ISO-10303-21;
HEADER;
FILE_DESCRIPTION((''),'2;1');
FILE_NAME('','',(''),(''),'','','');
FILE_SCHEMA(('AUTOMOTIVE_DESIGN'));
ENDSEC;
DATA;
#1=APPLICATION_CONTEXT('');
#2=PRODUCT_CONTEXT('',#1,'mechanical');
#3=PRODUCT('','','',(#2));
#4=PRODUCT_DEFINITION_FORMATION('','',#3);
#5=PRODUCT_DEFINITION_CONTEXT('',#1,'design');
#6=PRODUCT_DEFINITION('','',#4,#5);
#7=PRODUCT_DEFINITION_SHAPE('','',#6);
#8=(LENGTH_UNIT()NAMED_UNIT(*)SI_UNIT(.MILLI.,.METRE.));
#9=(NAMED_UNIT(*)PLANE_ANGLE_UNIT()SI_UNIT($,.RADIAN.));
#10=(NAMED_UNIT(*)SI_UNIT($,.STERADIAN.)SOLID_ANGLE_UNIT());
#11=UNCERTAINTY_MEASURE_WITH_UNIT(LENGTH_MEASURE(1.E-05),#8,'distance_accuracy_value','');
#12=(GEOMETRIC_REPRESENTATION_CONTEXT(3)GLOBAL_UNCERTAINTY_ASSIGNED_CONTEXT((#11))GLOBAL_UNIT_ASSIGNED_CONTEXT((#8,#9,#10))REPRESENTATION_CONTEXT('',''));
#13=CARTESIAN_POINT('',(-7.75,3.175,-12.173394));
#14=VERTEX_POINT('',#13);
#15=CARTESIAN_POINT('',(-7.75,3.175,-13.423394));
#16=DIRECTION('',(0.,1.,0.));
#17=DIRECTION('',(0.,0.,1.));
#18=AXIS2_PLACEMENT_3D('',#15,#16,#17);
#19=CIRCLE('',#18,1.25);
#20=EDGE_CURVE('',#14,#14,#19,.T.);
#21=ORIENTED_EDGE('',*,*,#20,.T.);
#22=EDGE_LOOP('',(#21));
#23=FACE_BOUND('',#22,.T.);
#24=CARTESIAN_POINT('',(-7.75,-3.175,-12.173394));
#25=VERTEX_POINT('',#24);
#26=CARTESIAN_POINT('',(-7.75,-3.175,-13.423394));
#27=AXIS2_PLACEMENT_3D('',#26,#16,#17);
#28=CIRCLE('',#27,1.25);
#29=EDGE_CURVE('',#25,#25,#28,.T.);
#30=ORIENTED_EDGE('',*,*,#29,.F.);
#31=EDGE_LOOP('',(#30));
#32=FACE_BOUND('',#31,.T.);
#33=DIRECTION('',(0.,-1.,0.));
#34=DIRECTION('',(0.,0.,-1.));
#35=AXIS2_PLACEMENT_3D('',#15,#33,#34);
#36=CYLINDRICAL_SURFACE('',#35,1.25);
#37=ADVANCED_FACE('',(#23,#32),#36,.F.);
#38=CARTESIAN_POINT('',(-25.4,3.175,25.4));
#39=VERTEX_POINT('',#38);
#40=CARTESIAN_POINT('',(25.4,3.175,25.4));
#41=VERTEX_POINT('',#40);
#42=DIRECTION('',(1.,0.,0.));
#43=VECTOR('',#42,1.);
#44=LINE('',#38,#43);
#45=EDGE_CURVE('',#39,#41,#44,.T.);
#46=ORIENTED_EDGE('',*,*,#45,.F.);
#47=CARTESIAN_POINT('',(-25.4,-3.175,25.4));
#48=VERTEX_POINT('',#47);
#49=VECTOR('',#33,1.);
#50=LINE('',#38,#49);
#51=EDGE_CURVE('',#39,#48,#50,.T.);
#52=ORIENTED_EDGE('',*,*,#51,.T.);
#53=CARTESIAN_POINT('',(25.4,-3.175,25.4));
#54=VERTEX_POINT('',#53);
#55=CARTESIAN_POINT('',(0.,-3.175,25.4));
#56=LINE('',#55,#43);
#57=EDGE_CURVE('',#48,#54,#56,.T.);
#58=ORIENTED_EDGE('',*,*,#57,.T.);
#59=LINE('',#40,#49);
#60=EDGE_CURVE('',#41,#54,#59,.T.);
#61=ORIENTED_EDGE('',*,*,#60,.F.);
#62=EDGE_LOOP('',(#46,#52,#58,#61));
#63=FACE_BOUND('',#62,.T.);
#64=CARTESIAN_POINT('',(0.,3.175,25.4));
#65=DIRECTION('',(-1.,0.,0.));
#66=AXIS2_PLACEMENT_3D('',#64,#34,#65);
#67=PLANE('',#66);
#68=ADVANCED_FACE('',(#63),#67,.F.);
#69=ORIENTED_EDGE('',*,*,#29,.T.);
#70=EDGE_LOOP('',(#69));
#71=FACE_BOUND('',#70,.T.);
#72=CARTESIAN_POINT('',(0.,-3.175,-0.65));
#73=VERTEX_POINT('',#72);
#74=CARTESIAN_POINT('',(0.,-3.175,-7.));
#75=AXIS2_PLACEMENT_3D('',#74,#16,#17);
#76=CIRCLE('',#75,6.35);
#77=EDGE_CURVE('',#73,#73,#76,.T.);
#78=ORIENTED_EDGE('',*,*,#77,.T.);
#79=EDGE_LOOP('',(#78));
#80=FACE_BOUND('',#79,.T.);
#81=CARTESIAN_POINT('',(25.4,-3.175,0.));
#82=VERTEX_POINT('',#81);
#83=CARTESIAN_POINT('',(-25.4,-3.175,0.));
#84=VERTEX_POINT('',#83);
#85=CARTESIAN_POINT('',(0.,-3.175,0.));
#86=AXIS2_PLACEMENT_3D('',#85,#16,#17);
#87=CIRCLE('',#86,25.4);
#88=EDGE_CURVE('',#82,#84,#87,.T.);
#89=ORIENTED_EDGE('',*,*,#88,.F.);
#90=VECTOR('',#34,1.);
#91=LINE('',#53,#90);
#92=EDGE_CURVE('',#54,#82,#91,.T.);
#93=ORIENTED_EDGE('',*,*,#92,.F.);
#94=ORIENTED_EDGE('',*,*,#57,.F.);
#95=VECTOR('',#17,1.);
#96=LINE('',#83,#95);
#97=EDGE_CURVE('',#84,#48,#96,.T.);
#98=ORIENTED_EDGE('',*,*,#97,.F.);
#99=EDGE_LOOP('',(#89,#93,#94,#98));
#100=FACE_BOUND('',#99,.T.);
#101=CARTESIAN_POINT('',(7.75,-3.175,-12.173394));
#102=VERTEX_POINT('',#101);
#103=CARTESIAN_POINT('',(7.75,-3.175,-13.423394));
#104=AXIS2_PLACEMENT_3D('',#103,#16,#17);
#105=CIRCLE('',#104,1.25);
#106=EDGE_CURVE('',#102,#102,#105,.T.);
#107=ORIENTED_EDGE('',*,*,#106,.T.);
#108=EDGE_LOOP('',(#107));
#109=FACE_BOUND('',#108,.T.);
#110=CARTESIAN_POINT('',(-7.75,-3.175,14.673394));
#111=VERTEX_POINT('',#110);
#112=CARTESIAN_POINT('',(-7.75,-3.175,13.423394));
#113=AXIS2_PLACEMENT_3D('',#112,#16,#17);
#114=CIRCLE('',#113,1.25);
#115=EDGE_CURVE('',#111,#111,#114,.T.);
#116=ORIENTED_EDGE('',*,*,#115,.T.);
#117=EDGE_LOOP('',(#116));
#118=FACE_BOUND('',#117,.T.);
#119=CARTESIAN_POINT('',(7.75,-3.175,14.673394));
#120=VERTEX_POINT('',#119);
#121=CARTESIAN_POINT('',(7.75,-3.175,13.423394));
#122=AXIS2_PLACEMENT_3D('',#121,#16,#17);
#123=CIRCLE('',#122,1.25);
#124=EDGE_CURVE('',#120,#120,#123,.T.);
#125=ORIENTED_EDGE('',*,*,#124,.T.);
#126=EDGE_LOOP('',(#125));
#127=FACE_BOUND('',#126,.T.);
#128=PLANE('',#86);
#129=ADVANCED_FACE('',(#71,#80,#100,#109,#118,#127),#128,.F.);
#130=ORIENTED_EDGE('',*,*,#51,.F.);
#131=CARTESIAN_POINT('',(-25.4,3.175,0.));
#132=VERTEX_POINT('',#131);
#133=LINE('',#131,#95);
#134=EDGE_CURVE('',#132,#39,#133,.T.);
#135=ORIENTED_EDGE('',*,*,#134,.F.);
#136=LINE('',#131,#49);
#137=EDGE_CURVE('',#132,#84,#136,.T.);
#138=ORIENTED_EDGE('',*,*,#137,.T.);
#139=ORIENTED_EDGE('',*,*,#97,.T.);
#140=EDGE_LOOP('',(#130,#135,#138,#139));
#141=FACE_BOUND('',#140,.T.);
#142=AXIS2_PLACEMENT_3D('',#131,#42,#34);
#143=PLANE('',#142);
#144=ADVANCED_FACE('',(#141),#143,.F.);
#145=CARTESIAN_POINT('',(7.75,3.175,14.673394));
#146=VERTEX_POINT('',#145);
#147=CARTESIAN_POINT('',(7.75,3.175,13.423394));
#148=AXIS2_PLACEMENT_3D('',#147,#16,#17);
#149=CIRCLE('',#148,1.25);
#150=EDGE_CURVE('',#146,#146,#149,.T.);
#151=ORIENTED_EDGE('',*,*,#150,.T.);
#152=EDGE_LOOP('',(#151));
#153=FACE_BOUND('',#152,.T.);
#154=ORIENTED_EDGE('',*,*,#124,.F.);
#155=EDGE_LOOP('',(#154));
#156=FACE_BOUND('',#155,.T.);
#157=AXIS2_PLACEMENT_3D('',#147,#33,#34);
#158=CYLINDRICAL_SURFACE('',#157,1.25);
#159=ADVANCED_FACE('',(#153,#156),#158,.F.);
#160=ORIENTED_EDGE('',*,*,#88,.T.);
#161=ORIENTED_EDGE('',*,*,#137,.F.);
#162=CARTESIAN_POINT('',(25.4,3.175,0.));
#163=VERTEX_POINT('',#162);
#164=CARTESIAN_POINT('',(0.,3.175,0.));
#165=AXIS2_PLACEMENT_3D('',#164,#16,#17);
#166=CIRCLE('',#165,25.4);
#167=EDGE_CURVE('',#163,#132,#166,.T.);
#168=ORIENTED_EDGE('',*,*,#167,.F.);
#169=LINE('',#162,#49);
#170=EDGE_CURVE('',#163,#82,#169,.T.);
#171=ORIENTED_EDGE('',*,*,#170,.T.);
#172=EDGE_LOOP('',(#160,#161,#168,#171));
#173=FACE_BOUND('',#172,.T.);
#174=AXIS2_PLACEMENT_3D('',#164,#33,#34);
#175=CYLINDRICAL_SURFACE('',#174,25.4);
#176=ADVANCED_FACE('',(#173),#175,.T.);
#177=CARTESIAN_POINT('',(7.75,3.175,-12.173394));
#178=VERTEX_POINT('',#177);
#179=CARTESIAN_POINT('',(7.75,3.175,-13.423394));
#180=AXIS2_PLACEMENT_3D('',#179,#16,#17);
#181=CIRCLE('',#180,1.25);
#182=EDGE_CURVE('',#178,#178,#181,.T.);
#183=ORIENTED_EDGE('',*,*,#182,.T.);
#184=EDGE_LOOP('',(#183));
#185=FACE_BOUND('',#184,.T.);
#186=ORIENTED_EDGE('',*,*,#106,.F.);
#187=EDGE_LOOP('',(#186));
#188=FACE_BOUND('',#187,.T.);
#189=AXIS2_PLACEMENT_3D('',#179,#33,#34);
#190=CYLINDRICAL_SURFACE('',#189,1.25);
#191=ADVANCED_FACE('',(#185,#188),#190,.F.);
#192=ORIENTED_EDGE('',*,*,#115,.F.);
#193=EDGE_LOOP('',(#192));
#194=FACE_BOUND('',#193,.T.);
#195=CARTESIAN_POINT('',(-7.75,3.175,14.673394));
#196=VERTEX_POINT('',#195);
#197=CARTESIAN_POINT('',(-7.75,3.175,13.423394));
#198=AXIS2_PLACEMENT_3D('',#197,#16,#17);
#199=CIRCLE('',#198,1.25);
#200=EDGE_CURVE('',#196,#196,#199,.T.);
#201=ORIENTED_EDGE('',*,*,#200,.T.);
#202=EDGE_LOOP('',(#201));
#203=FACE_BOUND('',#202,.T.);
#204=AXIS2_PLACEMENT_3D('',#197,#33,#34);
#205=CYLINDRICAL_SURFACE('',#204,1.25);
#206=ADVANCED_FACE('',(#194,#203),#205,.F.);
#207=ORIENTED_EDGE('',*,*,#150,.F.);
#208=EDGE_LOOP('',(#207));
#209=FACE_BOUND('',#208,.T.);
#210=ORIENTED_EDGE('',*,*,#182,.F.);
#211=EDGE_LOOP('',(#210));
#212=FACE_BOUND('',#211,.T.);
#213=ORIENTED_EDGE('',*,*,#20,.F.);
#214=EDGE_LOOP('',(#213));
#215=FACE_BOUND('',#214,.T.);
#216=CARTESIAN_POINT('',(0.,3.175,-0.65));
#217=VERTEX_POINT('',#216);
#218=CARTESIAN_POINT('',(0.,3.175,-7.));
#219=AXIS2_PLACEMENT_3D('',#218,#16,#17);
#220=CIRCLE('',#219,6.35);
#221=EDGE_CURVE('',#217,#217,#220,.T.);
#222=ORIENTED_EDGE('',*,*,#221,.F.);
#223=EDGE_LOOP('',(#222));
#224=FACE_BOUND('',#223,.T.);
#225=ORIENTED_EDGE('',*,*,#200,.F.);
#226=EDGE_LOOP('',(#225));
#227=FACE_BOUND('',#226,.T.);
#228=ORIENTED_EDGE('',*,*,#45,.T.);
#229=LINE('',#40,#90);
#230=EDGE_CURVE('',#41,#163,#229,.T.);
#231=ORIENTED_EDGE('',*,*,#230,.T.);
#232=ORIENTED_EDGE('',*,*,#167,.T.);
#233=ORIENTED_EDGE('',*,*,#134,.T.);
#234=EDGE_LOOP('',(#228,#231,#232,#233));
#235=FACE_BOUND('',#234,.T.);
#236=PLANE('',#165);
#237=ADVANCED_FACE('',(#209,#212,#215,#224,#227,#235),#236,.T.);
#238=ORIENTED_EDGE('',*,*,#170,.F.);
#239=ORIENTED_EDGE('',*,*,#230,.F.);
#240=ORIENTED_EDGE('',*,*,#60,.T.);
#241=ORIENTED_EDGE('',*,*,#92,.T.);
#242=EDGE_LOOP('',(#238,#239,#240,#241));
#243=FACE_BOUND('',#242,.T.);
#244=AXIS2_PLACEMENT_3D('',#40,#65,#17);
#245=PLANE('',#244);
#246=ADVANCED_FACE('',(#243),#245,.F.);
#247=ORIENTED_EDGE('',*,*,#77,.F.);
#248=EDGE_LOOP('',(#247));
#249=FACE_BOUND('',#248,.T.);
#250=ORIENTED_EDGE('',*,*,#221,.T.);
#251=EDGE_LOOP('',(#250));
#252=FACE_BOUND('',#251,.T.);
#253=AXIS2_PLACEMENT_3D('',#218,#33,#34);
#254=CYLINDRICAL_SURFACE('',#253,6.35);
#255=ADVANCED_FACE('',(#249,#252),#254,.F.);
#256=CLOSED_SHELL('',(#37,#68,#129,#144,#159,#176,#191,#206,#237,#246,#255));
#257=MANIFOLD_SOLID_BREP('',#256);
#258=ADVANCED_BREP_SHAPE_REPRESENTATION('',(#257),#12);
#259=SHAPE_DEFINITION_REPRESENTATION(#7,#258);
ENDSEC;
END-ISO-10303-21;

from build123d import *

# Parameters (mm, degrees)
SKETCH3_R           = 6.35
SKETCH3_R_2         = 1.25
BOSS_EXTRUDE4_DEPTH = 3.175


with BuildPart() as part:
    # Sketch3 → Boss-Extrude4 (new body, symmetric)
    with BuildSketch(Plane(origin=(0, 0, 0), x_dir=(1, 0, 0), z_dir=(0, 1, 0))):
        with BuildLine():
            Line((-25.4, 0), (-25.4, -25.4))
            Line((-25.4, -25.4), (0, -25.4))
            Line((0, -25.4), (25.4, -25.4))
            Line((25.4, -25.4), (25.4, 0))
            ThreePointArc((25.4, 0), (0, 25.4), (-25.4, 0))
        make_face()
        with Locations((1e-09, 7)):
            Circle(SKETCH3_R, mode=Mode.SUBTRACT)
        with Locations((7.75, 13.423393759)):
            Circle(SKETCH3_R_2, mode=Mode.SUBTRACT)
        with Locations((-7.75, 13.423393759)):
            Circle(SKETCH3_R_2, mode=Mode.SUBTRACT)
        with Locations((-7.75, -13.423393759)):
            Circle(SKETCH3_R_2, mode=Mode.SUBTRACT)
        with Locations((7.75, -13.423393759)):
            Circle(SKETCH3_R_2, mode=Mode.SUBTRACT)
    extrude(amount=BOSS_EXTRUDE4_DEPTH, both=True)


solid = part.part
